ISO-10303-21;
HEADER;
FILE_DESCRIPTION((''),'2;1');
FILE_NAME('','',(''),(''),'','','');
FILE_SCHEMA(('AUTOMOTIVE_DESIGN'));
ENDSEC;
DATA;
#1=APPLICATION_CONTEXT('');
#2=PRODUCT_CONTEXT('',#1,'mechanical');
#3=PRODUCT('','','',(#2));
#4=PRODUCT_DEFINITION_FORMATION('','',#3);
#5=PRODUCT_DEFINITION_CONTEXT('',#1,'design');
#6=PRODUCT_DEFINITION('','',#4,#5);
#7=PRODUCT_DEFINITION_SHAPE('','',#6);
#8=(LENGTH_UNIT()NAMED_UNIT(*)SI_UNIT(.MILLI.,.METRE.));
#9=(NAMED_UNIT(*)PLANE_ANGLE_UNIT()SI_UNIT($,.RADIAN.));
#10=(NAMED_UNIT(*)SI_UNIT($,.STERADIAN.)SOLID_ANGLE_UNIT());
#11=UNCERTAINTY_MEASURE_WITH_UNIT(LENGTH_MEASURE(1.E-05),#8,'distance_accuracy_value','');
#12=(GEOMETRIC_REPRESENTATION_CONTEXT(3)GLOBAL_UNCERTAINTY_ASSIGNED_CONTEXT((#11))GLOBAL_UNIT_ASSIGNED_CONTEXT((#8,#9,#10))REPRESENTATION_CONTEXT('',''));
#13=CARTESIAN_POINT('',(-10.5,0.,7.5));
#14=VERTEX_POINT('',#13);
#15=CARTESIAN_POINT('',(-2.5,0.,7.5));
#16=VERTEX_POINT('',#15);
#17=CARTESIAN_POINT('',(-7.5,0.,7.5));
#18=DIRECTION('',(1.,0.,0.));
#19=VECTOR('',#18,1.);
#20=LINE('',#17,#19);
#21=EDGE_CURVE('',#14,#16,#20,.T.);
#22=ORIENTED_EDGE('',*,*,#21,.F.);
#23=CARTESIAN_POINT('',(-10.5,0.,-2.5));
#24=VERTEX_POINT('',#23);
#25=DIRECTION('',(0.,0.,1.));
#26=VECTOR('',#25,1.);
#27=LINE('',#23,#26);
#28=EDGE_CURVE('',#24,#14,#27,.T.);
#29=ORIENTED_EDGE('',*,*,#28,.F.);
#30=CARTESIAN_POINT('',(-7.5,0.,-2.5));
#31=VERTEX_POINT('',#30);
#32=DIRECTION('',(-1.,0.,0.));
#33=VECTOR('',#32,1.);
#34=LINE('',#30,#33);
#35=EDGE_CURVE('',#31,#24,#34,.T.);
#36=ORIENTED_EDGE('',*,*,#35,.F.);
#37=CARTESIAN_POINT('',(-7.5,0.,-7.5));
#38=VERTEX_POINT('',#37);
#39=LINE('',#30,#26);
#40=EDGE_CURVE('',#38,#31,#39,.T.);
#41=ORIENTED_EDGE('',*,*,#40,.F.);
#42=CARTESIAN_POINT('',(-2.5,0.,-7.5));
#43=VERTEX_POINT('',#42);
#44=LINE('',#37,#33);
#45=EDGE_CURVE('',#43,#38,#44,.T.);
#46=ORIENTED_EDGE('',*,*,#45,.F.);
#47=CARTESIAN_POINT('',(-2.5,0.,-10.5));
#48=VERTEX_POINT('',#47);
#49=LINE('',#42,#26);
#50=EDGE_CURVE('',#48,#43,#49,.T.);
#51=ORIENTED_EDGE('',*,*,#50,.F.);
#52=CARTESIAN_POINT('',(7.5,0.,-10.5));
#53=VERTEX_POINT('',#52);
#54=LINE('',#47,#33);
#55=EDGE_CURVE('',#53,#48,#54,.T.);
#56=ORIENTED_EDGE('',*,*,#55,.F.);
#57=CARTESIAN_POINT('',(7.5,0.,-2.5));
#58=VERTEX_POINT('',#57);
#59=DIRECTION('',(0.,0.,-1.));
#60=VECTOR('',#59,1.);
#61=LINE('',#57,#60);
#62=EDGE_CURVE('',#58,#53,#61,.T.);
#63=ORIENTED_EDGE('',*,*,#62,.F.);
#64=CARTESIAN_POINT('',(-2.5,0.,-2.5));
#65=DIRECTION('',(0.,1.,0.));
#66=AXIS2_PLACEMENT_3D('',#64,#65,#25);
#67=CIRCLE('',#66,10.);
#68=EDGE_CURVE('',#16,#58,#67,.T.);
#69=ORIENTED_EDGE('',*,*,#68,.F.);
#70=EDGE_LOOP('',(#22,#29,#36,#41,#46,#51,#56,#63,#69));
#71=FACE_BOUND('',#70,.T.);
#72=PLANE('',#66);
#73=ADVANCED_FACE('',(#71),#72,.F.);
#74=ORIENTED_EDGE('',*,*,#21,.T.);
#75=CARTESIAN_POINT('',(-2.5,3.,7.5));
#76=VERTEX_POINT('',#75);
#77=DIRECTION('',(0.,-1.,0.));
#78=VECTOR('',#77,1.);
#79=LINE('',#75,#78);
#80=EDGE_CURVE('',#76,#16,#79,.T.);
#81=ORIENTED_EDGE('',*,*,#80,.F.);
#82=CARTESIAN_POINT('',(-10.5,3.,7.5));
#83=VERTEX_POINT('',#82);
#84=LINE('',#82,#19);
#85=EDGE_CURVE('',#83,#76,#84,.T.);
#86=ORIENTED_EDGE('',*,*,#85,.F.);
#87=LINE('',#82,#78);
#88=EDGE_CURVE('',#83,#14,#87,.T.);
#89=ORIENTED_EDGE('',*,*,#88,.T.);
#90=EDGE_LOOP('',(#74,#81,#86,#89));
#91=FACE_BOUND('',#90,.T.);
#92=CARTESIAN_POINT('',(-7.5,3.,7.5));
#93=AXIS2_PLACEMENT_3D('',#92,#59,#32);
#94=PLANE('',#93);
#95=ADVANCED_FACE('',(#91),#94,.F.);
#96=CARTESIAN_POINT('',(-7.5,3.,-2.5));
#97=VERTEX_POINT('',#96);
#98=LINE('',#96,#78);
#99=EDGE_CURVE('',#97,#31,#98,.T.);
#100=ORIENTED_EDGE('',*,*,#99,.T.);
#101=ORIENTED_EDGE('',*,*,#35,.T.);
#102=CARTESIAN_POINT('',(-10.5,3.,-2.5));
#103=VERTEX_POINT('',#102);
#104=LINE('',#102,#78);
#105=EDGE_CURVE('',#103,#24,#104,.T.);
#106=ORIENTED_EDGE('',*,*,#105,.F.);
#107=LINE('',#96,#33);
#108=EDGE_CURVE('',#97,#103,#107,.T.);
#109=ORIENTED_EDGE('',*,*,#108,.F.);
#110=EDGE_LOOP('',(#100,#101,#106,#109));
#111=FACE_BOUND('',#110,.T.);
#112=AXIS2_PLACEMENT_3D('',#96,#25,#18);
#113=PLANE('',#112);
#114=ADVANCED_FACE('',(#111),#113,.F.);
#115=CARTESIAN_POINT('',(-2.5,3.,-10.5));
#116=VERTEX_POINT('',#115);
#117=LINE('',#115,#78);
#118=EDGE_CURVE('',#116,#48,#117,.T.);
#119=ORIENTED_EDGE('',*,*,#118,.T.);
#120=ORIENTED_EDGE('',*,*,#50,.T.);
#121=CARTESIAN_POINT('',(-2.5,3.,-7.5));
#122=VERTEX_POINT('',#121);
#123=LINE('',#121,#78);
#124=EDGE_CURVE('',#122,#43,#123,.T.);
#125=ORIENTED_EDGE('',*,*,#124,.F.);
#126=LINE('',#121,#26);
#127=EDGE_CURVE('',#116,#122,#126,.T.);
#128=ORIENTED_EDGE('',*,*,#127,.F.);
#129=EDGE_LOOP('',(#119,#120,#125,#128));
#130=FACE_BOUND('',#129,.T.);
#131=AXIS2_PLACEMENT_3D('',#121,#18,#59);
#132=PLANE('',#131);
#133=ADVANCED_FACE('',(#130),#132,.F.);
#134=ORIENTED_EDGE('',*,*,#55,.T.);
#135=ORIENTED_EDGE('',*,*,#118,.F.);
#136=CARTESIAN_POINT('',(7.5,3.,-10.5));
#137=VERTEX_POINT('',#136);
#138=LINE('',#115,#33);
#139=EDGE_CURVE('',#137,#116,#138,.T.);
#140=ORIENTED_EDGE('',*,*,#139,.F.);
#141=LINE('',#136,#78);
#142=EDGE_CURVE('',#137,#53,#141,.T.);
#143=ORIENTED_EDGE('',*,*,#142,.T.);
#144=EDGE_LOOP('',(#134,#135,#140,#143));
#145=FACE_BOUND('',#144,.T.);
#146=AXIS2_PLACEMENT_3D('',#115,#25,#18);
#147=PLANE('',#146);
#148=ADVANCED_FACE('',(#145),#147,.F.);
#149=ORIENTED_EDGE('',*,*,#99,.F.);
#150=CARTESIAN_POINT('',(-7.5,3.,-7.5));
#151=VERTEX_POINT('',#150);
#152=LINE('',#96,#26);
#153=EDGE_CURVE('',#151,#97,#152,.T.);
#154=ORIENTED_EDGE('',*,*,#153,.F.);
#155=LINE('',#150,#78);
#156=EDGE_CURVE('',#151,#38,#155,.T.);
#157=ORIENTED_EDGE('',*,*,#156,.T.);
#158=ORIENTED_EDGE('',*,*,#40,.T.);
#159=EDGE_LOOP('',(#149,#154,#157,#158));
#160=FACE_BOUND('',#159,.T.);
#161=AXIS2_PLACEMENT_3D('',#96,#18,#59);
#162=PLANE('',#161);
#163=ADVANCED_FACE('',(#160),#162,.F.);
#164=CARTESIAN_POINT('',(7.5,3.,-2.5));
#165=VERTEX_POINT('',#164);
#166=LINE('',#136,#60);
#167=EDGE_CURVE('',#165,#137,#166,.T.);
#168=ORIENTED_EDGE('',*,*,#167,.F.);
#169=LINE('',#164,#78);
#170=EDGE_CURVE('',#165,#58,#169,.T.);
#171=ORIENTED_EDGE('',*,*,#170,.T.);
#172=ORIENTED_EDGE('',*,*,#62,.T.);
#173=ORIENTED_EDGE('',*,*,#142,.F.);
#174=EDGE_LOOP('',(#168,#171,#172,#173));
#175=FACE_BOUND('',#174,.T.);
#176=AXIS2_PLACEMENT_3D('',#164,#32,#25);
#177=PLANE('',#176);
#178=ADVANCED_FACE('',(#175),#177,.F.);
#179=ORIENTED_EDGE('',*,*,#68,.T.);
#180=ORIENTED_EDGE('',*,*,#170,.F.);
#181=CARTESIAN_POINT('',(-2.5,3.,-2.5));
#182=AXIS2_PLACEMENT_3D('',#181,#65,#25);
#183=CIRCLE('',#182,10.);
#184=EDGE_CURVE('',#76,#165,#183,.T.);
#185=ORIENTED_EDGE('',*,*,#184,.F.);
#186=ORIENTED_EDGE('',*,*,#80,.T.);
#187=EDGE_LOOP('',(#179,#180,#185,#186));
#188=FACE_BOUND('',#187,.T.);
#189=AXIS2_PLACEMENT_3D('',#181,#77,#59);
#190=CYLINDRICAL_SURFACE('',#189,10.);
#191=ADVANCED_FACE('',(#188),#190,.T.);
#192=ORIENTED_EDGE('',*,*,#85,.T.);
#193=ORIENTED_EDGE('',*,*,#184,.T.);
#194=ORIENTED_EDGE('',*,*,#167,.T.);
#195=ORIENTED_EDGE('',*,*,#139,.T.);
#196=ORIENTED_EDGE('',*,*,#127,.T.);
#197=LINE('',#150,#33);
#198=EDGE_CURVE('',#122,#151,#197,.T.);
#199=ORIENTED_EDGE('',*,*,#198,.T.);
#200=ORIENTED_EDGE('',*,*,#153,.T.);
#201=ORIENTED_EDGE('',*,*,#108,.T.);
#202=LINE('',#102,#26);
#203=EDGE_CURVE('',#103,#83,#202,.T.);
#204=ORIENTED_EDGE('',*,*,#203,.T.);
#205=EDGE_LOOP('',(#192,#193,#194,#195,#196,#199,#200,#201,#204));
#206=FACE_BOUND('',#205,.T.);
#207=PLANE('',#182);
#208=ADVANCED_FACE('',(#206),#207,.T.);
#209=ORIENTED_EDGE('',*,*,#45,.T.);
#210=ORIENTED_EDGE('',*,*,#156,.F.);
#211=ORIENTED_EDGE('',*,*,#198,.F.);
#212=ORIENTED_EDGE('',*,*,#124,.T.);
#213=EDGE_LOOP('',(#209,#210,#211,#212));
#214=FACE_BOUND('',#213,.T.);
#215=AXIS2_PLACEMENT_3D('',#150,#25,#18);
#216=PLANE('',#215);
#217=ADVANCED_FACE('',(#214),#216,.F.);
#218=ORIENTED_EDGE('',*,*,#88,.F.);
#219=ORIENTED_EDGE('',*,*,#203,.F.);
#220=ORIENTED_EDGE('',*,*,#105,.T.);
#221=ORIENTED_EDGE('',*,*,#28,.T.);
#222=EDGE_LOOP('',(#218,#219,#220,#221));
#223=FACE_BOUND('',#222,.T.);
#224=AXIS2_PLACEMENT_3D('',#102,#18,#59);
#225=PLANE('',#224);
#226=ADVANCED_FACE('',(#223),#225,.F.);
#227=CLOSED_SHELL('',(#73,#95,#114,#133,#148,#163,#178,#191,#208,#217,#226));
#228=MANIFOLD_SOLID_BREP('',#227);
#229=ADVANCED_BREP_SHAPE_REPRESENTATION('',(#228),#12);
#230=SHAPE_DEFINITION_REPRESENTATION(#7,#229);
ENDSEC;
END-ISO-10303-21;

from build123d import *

# Parameters (mm, degrees)
BOSS_EXTRUDE1_DEPTH = 3


with BuildPart() as part:
    # Sketch1 → Boss-Extrude1 (new body)
    with BuildSketch(Plane(origin=(0, 0, 0), x_dir=(1, 0, 0), z_dir=(0, 1, 0))):
        with BuildLine():
            Line((-7.5, 2.5), (-10.5, 2.5))
            Line((-10.5, 2.5), (-10.5, -7.5))
            Line((-10.5, -7.5), (-7.5, -7.5))
            Line((-7.5, -7.5), (-2.5, -7.5))
            ThreePointArc((-2.5, -7.5), (4.571067812, -4.571067812), (7.5, 2.5))
            Line((7.5, 2.5), (7.5, 7.5))
            Line((7.5, 7.5), (7.5, 10.5))
            Line((7.5, 10.5), (-2.5, 10.5))
            Line((-2.5, 10.5), (-2.5, 7.5))
            Line((-2.5, 7.5), (-7.5, 7.5))
            Line((-7.5, 7.5), (-7.5, 2.5))
        make_face()
    extrude(amount=BOSS_EXTRUDE1_DEPTH)


solid = part.part
